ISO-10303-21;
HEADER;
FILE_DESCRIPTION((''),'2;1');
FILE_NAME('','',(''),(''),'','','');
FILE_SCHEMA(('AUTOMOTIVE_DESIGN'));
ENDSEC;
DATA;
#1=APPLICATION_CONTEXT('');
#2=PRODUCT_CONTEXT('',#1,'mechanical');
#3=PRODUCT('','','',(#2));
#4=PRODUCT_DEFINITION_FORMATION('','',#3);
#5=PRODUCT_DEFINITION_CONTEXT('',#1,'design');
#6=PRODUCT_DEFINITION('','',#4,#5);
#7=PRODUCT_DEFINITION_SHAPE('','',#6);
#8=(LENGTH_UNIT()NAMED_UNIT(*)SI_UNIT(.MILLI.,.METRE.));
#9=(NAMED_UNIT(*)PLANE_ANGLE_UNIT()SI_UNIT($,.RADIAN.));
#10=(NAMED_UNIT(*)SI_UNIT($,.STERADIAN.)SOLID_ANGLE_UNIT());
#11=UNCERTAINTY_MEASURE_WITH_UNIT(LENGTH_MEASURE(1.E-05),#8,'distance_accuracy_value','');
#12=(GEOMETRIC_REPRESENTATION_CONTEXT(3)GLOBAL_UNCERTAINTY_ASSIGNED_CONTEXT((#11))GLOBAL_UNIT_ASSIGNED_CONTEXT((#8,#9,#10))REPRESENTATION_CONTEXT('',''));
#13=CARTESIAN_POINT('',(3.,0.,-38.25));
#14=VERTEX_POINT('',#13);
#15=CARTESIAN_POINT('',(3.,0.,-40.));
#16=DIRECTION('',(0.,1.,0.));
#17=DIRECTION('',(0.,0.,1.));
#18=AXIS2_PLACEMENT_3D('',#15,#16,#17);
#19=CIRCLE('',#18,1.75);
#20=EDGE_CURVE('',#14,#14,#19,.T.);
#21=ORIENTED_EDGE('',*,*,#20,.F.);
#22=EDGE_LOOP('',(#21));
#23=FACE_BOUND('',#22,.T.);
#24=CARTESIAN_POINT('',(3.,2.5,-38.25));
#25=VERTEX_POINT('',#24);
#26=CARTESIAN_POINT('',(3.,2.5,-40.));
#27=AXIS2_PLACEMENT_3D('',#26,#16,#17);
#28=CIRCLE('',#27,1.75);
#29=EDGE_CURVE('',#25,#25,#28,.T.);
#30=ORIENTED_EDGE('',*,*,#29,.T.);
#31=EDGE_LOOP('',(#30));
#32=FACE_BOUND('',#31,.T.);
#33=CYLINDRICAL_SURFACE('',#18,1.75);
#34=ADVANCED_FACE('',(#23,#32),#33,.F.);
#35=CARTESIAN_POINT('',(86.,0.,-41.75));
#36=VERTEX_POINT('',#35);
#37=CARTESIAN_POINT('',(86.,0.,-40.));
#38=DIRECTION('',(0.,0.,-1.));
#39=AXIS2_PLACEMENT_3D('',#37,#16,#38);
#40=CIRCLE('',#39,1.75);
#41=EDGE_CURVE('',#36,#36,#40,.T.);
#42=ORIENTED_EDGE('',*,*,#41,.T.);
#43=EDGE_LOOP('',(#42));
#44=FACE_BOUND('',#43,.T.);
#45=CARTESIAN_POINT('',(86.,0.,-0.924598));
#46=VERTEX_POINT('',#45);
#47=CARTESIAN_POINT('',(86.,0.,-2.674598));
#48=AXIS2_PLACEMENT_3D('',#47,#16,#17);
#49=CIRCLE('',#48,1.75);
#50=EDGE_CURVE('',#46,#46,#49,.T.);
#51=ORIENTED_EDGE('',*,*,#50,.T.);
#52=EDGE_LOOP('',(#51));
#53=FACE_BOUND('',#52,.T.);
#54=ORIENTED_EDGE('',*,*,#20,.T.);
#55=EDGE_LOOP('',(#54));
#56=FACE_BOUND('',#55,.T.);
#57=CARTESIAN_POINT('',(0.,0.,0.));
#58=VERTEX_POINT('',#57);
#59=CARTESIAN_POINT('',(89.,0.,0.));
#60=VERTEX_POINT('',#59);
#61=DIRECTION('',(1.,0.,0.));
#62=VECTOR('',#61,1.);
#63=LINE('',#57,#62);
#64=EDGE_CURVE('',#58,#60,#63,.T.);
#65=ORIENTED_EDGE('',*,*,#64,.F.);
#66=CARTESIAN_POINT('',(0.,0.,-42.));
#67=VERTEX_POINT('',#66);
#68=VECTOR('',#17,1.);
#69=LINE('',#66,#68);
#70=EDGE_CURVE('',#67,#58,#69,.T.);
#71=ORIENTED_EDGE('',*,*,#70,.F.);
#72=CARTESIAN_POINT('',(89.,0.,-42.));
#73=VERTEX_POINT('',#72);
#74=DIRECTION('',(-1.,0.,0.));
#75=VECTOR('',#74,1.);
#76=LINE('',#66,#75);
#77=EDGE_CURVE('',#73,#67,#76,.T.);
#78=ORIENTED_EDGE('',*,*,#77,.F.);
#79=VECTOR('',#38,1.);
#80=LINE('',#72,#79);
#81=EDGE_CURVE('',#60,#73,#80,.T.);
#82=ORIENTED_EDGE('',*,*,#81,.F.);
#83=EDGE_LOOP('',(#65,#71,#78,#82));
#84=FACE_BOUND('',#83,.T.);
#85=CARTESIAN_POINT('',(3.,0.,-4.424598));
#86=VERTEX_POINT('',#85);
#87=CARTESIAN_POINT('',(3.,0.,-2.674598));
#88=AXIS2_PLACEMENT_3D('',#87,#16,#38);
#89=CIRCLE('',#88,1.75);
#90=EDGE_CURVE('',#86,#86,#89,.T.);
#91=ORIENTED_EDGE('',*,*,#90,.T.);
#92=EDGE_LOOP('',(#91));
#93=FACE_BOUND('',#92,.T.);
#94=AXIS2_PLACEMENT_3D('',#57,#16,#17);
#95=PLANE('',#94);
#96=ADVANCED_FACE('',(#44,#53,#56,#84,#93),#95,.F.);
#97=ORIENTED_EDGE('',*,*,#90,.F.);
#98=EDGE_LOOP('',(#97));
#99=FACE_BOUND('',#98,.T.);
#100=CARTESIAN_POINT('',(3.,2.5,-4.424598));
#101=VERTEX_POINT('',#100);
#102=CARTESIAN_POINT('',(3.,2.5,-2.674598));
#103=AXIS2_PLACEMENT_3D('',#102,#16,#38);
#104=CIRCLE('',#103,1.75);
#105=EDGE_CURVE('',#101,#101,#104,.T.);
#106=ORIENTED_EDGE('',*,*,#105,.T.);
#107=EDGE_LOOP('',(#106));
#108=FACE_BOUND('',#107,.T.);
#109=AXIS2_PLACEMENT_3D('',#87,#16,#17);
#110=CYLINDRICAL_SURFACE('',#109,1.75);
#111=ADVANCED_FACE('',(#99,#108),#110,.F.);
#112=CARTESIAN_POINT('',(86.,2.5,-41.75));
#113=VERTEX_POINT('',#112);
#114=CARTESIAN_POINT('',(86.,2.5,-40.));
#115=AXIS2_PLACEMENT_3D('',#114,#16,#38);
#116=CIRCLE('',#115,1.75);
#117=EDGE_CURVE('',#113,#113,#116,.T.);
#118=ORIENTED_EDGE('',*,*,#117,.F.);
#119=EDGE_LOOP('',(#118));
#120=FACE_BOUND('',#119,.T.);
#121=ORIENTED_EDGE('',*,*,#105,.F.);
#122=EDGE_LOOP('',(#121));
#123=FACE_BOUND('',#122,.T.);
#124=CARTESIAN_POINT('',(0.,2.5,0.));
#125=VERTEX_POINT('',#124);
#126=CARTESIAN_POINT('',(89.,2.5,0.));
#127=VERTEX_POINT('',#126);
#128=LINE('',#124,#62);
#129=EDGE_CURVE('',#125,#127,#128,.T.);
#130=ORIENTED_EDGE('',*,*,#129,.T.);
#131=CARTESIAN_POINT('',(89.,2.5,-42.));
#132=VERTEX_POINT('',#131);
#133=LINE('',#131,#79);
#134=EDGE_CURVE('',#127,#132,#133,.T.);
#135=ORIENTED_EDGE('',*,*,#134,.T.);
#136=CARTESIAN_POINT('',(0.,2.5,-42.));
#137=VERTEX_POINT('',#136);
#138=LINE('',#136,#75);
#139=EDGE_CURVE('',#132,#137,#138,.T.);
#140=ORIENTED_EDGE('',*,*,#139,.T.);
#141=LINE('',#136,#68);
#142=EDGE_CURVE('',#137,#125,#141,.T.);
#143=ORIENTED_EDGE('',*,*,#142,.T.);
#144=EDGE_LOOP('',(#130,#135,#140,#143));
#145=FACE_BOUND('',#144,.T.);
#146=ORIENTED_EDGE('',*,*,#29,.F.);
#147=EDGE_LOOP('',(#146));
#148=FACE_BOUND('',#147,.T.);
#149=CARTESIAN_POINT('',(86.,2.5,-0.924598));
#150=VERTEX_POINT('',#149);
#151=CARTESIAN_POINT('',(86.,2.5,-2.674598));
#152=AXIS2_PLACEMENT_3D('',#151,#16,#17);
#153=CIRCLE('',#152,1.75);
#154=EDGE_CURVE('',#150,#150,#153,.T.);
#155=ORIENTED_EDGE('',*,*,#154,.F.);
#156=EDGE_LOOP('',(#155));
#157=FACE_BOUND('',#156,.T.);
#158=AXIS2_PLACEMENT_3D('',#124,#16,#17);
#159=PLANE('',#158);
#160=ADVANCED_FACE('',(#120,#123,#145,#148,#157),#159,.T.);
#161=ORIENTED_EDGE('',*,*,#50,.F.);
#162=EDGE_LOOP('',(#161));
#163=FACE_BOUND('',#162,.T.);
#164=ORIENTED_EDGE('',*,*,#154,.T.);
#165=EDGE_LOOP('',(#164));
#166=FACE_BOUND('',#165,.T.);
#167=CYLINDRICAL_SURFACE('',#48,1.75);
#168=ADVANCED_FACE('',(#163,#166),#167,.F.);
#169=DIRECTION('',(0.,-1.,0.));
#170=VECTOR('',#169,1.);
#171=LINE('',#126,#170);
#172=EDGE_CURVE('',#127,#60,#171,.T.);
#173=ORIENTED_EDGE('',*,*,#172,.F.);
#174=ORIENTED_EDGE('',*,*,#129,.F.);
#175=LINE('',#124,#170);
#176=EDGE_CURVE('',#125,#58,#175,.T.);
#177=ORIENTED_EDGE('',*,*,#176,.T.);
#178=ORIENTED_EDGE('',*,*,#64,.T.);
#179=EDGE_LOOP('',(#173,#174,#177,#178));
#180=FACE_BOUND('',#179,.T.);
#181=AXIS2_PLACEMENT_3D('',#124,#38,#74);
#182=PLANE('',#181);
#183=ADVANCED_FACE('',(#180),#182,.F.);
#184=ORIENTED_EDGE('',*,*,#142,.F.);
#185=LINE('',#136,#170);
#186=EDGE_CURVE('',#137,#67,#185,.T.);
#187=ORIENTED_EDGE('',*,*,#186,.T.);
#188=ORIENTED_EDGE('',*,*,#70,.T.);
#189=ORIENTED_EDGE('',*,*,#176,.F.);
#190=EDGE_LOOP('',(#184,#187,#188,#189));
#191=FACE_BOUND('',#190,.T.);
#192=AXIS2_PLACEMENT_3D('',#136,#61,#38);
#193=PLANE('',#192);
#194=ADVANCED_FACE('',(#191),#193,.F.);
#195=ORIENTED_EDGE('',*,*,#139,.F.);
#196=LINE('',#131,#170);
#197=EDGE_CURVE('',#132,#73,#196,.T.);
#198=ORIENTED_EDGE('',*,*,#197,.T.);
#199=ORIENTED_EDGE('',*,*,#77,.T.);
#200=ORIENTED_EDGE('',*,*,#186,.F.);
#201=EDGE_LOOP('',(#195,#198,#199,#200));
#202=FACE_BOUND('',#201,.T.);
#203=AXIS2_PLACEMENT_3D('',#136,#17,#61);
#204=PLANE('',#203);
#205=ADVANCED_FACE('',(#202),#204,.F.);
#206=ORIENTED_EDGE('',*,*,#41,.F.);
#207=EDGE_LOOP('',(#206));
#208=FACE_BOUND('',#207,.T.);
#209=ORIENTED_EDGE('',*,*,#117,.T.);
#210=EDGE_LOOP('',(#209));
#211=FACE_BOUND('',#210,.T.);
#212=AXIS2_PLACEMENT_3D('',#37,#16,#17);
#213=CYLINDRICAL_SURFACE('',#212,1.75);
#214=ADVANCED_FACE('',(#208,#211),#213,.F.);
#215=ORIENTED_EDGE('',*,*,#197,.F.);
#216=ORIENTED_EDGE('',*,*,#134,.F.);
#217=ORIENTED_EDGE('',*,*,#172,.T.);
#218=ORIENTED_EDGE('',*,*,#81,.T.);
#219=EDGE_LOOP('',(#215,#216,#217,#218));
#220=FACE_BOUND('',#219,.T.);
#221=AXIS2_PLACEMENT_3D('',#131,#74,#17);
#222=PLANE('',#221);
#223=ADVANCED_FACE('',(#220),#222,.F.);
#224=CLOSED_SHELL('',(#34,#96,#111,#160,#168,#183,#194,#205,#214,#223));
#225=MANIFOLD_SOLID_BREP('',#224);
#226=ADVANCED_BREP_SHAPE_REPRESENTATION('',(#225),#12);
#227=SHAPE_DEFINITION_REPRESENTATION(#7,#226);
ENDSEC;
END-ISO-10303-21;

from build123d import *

# Parameters (mm, degrees)
SKETCH1_W           = 89
SKETCH1_H           = 42
BOSS_EXTRUDE1_DEPTH = 2.5
SKETCH3_R           = 1.75
CUT_EXTRUDE1_DEPTH  = 99.444146601


with BuildPart() as part:
    # Sketch1 → Boss-Extrude1 (new body)
    with BuildSketch(Plane(origin=(0, 0, 0), x_dir=(1, 0, 0), z_dir=(0, 1, 0))):
        with Locations((44.5, 21)):
            Rectangle(SKETCH1_W, SKETCH1_H)
    extrude(amount=BOSS_EXTRUDE1_DEPTH)

    # Sketch3 → Cut-Extrude1 (cut, through all)
    with BuildSketch(Plane(origin=(0, 2.5, 0), x_dir=(1, 0, 0), z_dir=(0, 1, 0))):
        with Locations(Location((3, 40, 0), (0, 0, 270))):
            Circle(SKETCH3_R)
        with Locations(Location((86, 40, 0), (0, 0, 90))):
            Circle(SKETCH3_R)
        with Locations(Location((86, 2.67459782, 0), (0, 0, 270))):
            Circle(SKETCH3_R)
        with Locations(Location((3, 2.67459782, 0), (0, 0, 90))):
            Circle(SKETCH3_R)
    extrude(amount=-CUT_EXTRUDE1_DEPTH, mode=Mode.SUBTRACT)


solid = part.part
